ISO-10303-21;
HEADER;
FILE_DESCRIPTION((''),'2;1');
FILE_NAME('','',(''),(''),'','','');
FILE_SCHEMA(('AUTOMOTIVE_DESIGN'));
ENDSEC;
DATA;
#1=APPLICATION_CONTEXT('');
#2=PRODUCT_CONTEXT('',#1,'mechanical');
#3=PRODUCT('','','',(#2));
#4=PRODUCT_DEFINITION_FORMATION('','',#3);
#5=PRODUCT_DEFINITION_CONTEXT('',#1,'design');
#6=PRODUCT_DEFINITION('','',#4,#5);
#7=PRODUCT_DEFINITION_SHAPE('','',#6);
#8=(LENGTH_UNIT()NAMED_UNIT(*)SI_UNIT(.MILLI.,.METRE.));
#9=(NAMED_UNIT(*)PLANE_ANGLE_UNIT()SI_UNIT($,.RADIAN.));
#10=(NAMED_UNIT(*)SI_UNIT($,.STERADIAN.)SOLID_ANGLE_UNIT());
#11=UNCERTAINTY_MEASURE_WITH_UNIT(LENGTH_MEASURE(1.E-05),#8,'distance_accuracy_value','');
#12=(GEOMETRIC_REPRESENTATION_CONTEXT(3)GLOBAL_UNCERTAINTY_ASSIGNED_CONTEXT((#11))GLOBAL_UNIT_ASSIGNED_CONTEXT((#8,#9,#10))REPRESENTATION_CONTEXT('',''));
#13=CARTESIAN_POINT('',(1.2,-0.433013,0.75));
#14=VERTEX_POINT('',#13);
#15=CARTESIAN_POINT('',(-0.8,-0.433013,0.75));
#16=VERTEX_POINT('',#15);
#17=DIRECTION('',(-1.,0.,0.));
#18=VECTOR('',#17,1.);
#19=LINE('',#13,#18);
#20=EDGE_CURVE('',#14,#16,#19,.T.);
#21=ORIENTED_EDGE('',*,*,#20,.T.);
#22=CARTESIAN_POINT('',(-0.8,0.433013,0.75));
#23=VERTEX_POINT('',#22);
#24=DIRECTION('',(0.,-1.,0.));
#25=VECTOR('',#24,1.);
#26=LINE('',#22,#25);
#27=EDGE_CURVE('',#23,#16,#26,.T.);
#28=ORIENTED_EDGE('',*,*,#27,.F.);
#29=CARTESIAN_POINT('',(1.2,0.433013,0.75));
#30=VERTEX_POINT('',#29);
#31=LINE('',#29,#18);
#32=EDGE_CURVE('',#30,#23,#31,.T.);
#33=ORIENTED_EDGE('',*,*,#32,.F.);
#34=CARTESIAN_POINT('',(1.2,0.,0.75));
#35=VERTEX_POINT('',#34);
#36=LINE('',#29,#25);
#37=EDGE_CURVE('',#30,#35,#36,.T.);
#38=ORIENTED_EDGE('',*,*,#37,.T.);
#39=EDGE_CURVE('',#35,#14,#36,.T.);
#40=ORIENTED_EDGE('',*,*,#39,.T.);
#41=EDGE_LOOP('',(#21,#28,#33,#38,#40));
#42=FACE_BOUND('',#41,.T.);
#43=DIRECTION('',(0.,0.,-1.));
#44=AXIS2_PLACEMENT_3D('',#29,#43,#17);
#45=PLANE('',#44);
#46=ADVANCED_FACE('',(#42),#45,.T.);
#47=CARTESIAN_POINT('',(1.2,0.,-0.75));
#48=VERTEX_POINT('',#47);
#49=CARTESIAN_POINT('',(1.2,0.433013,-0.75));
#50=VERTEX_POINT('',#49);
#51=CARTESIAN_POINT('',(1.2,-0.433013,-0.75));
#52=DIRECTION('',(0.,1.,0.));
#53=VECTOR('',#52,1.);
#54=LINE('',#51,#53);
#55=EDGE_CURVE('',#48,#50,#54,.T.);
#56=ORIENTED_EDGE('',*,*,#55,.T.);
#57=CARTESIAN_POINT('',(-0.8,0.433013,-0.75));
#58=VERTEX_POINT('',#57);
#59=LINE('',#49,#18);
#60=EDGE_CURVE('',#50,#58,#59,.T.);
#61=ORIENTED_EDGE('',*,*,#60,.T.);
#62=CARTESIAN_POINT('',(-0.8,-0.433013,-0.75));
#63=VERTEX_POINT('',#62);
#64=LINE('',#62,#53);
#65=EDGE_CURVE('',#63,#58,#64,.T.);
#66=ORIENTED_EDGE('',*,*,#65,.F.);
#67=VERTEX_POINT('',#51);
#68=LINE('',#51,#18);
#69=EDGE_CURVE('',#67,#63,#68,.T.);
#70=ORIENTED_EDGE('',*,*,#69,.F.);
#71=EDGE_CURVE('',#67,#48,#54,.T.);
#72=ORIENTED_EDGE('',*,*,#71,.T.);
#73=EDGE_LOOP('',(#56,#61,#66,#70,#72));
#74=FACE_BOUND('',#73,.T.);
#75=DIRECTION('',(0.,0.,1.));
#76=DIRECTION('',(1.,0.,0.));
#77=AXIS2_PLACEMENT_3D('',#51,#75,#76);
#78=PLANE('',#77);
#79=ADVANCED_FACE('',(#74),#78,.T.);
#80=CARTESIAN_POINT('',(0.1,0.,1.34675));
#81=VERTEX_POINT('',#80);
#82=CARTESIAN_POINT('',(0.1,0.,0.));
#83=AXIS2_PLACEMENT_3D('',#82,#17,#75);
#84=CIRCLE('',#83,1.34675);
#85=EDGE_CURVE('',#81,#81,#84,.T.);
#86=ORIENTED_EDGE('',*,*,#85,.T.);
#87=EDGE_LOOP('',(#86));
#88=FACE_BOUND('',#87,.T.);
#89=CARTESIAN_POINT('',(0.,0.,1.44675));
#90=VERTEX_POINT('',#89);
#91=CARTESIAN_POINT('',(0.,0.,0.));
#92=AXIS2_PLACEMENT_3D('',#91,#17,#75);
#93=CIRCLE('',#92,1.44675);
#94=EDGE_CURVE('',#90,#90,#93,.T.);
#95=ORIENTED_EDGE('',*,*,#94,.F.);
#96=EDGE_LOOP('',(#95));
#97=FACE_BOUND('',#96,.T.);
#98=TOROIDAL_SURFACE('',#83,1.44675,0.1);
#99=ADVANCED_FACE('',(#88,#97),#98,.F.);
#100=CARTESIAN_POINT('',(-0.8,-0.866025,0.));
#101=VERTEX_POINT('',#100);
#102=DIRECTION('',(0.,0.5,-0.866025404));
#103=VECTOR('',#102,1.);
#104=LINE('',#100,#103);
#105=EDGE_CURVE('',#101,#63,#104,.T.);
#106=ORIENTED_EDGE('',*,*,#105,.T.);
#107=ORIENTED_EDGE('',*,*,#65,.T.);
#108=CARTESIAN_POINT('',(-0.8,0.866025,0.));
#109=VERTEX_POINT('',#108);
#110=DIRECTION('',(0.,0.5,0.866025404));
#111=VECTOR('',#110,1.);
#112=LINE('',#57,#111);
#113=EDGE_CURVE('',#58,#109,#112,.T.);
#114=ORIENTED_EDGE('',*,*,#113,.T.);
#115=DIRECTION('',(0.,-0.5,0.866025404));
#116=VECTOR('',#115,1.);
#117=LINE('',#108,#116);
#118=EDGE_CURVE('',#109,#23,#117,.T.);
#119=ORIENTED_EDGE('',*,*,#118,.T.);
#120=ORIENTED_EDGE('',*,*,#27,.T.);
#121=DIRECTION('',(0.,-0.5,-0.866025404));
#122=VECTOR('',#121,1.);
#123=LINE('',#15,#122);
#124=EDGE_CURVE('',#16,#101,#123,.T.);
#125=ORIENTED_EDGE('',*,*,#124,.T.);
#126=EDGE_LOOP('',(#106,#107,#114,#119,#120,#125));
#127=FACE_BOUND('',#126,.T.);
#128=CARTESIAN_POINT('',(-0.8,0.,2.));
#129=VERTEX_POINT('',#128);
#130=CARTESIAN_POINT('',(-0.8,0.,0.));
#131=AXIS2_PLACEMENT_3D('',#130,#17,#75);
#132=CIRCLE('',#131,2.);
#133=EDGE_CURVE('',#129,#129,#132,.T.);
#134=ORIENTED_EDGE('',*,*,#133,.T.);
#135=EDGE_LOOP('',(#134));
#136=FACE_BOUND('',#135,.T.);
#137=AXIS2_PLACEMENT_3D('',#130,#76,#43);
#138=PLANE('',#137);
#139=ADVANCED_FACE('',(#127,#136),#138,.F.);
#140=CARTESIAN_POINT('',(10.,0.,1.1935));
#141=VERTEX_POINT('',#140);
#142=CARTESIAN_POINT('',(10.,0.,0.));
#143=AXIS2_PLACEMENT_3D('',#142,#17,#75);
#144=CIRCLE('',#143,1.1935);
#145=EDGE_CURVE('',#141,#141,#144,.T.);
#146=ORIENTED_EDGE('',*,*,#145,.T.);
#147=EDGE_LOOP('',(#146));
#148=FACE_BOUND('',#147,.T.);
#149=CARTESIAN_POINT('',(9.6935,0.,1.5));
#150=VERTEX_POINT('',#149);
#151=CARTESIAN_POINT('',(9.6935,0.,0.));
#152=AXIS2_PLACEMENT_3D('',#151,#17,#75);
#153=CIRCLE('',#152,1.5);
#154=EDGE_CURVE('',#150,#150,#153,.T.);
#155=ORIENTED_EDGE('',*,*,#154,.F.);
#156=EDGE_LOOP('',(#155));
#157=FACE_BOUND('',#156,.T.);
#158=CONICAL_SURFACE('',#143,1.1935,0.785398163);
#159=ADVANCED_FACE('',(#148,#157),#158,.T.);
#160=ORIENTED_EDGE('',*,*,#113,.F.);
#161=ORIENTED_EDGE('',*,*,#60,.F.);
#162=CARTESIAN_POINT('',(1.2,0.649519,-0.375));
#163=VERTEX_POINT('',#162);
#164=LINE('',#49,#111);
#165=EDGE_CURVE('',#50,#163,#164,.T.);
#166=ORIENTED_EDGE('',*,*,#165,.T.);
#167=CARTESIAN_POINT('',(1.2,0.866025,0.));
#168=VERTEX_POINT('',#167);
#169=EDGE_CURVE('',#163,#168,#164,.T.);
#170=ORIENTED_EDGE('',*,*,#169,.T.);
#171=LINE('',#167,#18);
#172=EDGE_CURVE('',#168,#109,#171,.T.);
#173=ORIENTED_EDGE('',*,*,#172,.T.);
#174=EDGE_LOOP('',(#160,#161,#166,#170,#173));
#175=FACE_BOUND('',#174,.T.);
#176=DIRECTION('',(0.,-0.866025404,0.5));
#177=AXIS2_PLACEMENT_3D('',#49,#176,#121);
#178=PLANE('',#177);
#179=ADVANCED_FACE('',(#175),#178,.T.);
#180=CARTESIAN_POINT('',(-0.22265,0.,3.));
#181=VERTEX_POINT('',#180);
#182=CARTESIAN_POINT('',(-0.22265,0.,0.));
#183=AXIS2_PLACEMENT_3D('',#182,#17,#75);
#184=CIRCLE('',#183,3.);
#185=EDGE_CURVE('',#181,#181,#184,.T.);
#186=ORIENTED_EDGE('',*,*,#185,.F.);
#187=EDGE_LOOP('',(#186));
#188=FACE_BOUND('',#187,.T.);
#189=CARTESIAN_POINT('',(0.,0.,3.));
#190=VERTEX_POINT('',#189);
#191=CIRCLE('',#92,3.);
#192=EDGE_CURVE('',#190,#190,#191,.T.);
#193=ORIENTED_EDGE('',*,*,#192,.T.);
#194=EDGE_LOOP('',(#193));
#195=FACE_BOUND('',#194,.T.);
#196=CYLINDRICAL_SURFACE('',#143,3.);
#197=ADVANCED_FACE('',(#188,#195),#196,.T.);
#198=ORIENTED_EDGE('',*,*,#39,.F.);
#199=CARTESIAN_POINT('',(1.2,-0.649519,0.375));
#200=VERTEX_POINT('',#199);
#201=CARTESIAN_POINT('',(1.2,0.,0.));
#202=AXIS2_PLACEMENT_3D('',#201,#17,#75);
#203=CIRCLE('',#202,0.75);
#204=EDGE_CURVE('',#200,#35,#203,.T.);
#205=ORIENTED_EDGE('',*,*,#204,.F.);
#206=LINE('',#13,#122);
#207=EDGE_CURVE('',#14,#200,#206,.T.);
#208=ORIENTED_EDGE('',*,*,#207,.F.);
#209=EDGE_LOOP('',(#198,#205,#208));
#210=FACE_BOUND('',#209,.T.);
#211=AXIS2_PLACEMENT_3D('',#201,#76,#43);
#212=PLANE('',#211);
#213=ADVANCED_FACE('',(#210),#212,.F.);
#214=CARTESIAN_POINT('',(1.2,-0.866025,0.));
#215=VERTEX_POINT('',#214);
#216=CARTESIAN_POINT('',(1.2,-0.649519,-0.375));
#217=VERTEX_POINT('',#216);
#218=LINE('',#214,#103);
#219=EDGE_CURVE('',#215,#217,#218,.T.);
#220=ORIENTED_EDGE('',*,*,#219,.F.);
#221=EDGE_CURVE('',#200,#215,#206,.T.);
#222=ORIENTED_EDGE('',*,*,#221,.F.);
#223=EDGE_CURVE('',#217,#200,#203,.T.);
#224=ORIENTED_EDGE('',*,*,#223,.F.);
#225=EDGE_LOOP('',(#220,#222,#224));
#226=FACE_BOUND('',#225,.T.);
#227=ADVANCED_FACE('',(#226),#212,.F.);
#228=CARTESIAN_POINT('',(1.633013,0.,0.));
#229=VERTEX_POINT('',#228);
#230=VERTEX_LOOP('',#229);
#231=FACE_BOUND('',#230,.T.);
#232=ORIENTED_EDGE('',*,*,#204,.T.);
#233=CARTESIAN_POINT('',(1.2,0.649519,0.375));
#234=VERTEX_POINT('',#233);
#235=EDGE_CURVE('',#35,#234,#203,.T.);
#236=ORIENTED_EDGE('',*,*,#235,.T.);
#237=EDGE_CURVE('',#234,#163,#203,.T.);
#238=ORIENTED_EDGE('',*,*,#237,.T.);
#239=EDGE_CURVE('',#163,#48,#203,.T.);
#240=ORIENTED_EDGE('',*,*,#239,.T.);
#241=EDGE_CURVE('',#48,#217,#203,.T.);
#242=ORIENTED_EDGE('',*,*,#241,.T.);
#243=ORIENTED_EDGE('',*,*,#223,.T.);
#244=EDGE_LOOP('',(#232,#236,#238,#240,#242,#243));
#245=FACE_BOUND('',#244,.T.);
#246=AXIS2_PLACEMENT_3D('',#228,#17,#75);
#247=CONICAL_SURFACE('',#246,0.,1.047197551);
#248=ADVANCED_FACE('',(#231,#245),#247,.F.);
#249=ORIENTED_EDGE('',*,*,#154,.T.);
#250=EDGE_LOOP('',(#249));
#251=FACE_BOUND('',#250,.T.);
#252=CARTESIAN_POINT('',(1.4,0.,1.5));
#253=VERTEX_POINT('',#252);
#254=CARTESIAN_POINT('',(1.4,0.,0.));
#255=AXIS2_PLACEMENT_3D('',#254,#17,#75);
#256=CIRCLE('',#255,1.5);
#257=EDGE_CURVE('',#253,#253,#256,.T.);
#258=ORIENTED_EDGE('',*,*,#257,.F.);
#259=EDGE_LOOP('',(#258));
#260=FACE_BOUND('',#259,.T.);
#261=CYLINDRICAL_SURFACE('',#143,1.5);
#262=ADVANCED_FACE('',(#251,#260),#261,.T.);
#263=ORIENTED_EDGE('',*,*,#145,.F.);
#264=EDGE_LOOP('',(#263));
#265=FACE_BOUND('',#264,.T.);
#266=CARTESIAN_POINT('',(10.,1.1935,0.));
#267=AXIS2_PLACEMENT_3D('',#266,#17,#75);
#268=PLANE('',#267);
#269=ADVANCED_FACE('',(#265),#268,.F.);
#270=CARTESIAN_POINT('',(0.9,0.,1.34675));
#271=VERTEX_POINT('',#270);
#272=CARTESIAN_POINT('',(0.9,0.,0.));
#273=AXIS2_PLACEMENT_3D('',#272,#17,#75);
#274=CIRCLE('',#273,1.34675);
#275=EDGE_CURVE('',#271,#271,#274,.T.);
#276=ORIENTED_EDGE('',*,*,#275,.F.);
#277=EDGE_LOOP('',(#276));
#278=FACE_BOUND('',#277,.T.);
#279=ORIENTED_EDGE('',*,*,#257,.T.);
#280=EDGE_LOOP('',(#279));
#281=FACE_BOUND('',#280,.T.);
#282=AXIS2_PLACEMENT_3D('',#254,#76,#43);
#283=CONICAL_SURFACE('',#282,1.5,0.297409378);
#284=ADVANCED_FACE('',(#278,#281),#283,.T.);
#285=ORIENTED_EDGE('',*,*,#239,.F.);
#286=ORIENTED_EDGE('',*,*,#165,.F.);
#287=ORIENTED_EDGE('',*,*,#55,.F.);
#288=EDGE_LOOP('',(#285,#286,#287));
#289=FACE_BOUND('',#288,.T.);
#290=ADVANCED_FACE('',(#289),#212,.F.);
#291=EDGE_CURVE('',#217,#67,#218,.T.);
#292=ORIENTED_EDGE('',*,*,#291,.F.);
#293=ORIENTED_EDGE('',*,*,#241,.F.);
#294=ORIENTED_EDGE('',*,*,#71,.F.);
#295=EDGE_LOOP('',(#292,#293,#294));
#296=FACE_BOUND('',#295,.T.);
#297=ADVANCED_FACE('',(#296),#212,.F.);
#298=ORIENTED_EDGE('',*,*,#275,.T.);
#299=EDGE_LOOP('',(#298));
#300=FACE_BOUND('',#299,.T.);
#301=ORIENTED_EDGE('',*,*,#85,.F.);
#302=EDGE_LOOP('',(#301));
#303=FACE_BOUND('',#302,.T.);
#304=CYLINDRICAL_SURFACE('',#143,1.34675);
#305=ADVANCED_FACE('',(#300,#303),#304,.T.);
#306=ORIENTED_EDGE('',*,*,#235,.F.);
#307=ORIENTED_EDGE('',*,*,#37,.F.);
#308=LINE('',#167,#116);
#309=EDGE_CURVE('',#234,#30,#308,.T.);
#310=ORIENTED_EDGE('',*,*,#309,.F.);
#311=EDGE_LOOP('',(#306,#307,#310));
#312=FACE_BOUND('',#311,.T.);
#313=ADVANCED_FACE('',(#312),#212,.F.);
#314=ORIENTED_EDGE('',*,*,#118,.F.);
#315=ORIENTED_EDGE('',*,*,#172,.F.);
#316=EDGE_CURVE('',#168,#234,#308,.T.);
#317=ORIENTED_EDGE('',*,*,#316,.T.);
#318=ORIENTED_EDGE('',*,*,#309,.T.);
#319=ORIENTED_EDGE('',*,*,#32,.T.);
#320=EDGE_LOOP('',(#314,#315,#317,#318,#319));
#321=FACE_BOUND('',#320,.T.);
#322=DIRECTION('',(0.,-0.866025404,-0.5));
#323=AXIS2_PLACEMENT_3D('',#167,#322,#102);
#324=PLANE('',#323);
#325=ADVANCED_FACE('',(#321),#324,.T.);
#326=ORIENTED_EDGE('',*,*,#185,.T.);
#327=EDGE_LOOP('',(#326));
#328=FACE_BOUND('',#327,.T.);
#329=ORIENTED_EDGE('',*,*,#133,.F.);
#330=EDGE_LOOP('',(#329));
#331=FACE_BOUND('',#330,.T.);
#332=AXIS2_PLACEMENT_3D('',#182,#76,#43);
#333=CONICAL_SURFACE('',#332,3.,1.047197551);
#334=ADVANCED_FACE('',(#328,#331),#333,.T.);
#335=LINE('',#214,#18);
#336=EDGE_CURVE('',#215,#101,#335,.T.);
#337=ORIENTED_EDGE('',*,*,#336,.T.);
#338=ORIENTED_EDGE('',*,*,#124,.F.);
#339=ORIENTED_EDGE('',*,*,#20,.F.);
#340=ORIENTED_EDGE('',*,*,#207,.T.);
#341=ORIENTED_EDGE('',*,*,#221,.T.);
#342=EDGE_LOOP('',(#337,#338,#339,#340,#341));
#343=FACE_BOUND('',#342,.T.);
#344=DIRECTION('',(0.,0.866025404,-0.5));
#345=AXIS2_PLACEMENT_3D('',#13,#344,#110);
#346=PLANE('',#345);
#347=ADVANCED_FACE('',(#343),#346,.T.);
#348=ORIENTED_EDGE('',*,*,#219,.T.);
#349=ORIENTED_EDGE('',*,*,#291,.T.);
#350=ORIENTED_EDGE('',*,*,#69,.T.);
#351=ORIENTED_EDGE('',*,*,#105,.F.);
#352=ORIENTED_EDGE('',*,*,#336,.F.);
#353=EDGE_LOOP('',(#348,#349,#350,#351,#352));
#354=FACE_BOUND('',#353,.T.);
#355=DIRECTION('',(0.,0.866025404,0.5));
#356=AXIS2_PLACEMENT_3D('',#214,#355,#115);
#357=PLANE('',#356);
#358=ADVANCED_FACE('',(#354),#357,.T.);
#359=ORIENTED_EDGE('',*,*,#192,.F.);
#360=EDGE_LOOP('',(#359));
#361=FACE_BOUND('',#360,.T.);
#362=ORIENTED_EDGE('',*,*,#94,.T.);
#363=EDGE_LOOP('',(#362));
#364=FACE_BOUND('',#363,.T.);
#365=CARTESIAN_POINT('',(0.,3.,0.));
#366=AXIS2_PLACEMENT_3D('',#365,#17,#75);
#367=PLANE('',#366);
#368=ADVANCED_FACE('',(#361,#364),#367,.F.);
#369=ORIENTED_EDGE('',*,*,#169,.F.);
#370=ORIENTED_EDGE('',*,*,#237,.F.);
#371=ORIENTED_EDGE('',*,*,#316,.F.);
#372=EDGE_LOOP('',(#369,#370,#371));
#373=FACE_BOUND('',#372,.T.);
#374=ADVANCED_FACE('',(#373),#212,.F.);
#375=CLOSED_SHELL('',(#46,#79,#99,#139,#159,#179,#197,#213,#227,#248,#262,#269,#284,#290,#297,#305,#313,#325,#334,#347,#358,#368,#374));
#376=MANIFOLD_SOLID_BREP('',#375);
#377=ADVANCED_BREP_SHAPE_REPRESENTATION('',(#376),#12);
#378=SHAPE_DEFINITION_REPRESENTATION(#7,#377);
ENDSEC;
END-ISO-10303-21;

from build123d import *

# Parameters (mm, degrees)
CUT_EXTRUDE1_DEPTH = 2


with BuildPart() as part:
    # Sketch1 → Revolve1 (revolve)
    with BuildSketch(Plane.XY):
        with BuildLine():
            Line((-0.8, 0), (-0.8, 2))
            Line((-0.8, 2), (-0.222649731, 3))
            Line((-0.222649731, 3), (0, 3))
            Line((0, 3), (0, 1.44675))
            ThreePointArc((0, 1.44675), (0.029289322, 1.376039322), (0.1, 1.34675))
            Line((0.1, 1.34675), (0.9, 1.34675))
            Line((0.9, 1.34675), (1.4, 1.5))
            Line((1.4, 1.5), (9.6935, 1.5))
            Line((9.6935, 1.5), (10, 1.1935))
            Line((10, 1.1935), (10, 0))
            Line((10, 0), (-0.8, 0))
        make_face()
    revolve(axis=Axis((10, 0, 0), (-1, 0, 0)))

    # Sketch2 → Cut-Revolve1 (revolve, cut)
    with BuildSketch(Plane.XY):
        Polygon((-0.8, 0), (-0.8, 0.75), (1.2, 0.75), (1.633012702, 0), align=None)
    revolve(axis=Axis((1.633012702, 0, 0), (-1, 0, 0)), mode=Mode.SUBTRACT)

    # Sketch3 → Cut-Extrude1 (cut)
    with BuildSketch(Plane(origin=(-0.8, 0, 0), x_dir=(0, 0, -1), z_dir=(1, 0, 0))):
        Polygon((-0.75, -0.433012702), (0, -0.866025404), (0.75, -0.433012702), (0.75, 0.433012702), (0, 0.866025404), (-0.75, 0.433012702), align=None)
    extrude(amount=CUT_EXTRUDE1_DEPTH, mode=Mode.SUBTRACT)


solid = part.part
